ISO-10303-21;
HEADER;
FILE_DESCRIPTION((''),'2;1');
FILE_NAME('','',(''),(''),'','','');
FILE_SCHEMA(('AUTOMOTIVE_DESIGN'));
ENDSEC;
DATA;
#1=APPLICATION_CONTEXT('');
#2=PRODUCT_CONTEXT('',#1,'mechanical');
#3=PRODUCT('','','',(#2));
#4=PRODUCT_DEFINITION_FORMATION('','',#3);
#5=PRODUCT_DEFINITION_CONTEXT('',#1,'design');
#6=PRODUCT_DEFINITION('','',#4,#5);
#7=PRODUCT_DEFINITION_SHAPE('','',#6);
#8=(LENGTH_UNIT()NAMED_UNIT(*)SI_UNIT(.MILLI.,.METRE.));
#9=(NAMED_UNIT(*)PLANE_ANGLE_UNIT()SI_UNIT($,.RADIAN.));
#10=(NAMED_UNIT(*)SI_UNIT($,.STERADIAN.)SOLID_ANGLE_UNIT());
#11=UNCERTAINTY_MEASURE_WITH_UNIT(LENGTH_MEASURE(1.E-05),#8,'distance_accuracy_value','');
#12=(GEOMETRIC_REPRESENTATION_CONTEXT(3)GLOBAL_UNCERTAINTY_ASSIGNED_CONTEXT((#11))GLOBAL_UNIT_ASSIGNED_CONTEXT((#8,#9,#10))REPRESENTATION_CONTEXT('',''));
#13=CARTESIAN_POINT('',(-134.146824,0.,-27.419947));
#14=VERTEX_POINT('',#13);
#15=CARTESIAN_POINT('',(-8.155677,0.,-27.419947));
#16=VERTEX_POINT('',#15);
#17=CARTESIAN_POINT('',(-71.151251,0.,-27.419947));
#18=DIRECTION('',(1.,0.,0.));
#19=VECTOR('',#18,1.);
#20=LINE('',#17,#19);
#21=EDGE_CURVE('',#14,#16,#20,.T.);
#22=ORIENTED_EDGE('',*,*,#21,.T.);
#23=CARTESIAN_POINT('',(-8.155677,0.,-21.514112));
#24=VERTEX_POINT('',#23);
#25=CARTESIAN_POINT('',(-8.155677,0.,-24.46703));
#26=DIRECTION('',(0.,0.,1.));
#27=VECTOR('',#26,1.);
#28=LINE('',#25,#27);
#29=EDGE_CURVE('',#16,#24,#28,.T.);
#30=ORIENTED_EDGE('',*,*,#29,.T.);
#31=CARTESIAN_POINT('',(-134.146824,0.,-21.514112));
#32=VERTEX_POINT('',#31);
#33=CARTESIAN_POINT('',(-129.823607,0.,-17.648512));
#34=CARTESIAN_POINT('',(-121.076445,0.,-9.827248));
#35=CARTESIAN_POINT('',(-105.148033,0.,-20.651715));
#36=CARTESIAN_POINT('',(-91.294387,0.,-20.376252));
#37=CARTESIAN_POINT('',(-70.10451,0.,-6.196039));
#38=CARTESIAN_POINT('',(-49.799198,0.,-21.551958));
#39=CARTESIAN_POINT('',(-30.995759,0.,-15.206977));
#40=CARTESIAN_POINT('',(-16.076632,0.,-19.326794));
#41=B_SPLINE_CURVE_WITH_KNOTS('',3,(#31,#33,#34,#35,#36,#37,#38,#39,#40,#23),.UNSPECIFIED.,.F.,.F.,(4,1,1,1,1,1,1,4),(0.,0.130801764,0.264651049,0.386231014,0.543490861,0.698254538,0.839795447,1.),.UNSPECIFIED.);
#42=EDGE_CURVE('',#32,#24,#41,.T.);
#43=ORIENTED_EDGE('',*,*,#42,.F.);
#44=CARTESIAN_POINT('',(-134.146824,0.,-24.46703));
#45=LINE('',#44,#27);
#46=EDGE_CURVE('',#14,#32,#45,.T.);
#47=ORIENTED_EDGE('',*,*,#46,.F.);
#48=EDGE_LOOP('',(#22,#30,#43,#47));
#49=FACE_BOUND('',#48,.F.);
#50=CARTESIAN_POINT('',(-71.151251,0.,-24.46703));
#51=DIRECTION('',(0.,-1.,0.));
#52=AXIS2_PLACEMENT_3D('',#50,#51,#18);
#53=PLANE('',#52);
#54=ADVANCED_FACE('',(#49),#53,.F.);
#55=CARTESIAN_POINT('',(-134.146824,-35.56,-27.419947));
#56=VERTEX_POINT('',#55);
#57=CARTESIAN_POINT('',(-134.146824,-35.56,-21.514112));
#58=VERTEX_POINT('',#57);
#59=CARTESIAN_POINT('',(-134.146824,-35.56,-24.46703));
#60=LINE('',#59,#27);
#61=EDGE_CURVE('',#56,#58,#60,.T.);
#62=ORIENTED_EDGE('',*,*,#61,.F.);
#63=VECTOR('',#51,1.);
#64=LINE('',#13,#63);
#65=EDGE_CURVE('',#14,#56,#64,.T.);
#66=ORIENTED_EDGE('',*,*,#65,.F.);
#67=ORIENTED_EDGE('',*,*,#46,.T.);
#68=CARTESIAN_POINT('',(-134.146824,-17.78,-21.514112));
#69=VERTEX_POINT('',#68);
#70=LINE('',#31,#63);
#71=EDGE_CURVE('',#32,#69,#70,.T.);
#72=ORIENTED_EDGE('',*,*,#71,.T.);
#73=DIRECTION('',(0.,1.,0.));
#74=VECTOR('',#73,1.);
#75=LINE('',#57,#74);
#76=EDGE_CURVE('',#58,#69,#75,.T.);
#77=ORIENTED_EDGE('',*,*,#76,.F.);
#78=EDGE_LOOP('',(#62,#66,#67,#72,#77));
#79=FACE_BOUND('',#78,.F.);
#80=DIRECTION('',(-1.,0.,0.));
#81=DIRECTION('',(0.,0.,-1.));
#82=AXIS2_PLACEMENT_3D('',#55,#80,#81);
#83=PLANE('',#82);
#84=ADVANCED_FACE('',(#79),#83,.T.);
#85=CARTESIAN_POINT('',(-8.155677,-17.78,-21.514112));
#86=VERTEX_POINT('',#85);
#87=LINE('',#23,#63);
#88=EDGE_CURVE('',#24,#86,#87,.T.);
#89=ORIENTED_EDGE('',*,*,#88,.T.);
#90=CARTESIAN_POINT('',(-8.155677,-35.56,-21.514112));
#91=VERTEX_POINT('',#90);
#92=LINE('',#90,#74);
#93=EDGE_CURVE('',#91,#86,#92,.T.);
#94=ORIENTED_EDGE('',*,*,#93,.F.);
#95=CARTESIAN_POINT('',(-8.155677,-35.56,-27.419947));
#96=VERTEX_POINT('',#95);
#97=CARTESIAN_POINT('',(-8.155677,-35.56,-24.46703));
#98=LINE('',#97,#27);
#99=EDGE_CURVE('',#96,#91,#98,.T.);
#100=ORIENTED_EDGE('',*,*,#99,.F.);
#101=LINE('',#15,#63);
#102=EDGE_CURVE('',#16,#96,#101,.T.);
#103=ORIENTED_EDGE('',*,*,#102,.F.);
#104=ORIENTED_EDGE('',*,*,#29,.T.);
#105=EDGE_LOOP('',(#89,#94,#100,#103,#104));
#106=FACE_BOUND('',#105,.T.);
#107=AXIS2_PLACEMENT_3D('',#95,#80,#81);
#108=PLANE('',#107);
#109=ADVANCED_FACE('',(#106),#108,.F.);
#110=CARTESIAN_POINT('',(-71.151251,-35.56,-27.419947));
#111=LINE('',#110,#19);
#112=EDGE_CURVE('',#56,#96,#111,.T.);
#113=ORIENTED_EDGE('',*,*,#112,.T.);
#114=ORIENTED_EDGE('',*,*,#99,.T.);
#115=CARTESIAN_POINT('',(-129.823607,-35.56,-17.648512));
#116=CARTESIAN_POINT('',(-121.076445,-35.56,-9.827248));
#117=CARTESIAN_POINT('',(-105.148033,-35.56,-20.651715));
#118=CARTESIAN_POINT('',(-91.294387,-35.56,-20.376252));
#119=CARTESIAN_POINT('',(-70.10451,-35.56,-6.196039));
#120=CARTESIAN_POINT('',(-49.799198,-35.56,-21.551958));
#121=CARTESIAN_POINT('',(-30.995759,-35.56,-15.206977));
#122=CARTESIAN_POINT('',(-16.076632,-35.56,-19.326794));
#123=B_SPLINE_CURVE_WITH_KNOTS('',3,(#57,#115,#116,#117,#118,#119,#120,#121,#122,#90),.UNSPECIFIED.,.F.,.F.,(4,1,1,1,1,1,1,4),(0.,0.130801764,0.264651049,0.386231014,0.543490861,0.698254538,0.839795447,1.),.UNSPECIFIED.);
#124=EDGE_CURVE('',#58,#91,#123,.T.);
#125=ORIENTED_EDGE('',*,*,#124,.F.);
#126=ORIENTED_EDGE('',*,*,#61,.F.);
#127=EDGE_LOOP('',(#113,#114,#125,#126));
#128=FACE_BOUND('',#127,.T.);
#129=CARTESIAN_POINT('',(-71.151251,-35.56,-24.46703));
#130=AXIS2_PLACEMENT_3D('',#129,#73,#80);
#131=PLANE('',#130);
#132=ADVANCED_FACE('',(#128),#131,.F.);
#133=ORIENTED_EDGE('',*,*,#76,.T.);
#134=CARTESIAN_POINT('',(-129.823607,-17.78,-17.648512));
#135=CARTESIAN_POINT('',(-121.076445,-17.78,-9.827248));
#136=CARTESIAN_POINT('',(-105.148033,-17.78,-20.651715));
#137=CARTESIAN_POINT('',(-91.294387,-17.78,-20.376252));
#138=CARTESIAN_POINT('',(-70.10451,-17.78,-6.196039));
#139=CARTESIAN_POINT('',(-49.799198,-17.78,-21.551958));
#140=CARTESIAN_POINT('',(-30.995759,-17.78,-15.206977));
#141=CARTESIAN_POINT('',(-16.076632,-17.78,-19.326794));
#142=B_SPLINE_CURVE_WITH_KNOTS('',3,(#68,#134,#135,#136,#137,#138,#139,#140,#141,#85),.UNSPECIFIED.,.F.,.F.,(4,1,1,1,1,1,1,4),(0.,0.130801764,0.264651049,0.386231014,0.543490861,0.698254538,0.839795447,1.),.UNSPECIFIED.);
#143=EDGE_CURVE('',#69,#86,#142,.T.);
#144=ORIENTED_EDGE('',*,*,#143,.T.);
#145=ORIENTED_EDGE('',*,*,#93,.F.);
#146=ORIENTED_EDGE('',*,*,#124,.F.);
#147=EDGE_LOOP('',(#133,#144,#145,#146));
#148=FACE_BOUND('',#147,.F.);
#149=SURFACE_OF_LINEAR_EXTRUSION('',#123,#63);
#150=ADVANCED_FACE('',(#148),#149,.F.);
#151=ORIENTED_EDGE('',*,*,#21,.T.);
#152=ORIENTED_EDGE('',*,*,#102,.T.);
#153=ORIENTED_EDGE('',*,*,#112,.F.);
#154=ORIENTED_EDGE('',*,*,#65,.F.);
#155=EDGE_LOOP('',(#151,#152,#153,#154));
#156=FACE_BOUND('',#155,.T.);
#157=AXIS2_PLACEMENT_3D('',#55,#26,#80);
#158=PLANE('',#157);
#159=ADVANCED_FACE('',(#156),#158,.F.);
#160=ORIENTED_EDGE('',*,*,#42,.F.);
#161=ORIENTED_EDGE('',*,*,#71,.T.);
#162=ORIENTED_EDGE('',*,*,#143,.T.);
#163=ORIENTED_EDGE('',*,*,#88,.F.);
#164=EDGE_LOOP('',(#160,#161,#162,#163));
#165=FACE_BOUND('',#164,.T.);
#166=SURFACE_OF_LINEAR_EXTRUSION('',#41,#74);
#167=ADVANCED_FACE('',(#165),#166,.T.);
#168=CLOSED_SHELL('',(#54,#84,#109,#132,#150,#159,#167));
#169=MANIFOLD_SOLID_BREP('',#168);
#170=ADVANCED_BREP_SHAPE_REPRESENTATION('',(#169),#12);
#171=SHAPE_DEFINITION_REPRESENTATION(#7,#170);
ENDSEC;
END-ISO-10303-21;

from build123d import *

# Parameters (mm, degrees)
F0_W     = 125.9911470115
F0_H     = 5.905834958
F1_DEPTH = 17.78


with BuildPart() as f1:
    # F0 (on Front) → F1 (new body)
    with BuildSketch(Plane.XZ):
        with Locations((-71.1512509733, -24.4670296088)):
            Rectangle(F0_W, F0_H)
        with BuildLine():
            add(Edge.make_bspline(
                [(-134.1468244791, -21.5141121298), (-129.8236066388, -17.6485118987), (-121.0764452593, -9.8272476692), (-105.148033019, -20.6517145594), (-91.2943869567, -20.3762517964), (-70.1045097826, -6.1960385859), (-49.7991979988, -21.55195815), (-30.9957593006, -15.2069773152), (-16.0766320679, -19.3267938492), (-8.1556774676, -21.5141121298)],
                knots=[0, 0, 0, 0, 0.1308017639, 0.2646510493, 0.3862310143, 0.5434908611, 0.6982545376, 0.8397954471, 1, 1, 1, 1], degree=3))
            Line((-134.1468244791, -21.5141121298), (-8.1556774676, -21.5141121298))
        make_face()
    extrude(amount=F1_DEPTH)

    # F2: F1 across face


with BuildPart() as f1_1:
    add(f1.part)
    add(f1.part.mirror(Plane(origin=(-73.3360691794, -17.78, -21.7360929542), x_dir=(1, 0, 0), z_dir=(0, -1, 0))))


solid = f1_1.part
